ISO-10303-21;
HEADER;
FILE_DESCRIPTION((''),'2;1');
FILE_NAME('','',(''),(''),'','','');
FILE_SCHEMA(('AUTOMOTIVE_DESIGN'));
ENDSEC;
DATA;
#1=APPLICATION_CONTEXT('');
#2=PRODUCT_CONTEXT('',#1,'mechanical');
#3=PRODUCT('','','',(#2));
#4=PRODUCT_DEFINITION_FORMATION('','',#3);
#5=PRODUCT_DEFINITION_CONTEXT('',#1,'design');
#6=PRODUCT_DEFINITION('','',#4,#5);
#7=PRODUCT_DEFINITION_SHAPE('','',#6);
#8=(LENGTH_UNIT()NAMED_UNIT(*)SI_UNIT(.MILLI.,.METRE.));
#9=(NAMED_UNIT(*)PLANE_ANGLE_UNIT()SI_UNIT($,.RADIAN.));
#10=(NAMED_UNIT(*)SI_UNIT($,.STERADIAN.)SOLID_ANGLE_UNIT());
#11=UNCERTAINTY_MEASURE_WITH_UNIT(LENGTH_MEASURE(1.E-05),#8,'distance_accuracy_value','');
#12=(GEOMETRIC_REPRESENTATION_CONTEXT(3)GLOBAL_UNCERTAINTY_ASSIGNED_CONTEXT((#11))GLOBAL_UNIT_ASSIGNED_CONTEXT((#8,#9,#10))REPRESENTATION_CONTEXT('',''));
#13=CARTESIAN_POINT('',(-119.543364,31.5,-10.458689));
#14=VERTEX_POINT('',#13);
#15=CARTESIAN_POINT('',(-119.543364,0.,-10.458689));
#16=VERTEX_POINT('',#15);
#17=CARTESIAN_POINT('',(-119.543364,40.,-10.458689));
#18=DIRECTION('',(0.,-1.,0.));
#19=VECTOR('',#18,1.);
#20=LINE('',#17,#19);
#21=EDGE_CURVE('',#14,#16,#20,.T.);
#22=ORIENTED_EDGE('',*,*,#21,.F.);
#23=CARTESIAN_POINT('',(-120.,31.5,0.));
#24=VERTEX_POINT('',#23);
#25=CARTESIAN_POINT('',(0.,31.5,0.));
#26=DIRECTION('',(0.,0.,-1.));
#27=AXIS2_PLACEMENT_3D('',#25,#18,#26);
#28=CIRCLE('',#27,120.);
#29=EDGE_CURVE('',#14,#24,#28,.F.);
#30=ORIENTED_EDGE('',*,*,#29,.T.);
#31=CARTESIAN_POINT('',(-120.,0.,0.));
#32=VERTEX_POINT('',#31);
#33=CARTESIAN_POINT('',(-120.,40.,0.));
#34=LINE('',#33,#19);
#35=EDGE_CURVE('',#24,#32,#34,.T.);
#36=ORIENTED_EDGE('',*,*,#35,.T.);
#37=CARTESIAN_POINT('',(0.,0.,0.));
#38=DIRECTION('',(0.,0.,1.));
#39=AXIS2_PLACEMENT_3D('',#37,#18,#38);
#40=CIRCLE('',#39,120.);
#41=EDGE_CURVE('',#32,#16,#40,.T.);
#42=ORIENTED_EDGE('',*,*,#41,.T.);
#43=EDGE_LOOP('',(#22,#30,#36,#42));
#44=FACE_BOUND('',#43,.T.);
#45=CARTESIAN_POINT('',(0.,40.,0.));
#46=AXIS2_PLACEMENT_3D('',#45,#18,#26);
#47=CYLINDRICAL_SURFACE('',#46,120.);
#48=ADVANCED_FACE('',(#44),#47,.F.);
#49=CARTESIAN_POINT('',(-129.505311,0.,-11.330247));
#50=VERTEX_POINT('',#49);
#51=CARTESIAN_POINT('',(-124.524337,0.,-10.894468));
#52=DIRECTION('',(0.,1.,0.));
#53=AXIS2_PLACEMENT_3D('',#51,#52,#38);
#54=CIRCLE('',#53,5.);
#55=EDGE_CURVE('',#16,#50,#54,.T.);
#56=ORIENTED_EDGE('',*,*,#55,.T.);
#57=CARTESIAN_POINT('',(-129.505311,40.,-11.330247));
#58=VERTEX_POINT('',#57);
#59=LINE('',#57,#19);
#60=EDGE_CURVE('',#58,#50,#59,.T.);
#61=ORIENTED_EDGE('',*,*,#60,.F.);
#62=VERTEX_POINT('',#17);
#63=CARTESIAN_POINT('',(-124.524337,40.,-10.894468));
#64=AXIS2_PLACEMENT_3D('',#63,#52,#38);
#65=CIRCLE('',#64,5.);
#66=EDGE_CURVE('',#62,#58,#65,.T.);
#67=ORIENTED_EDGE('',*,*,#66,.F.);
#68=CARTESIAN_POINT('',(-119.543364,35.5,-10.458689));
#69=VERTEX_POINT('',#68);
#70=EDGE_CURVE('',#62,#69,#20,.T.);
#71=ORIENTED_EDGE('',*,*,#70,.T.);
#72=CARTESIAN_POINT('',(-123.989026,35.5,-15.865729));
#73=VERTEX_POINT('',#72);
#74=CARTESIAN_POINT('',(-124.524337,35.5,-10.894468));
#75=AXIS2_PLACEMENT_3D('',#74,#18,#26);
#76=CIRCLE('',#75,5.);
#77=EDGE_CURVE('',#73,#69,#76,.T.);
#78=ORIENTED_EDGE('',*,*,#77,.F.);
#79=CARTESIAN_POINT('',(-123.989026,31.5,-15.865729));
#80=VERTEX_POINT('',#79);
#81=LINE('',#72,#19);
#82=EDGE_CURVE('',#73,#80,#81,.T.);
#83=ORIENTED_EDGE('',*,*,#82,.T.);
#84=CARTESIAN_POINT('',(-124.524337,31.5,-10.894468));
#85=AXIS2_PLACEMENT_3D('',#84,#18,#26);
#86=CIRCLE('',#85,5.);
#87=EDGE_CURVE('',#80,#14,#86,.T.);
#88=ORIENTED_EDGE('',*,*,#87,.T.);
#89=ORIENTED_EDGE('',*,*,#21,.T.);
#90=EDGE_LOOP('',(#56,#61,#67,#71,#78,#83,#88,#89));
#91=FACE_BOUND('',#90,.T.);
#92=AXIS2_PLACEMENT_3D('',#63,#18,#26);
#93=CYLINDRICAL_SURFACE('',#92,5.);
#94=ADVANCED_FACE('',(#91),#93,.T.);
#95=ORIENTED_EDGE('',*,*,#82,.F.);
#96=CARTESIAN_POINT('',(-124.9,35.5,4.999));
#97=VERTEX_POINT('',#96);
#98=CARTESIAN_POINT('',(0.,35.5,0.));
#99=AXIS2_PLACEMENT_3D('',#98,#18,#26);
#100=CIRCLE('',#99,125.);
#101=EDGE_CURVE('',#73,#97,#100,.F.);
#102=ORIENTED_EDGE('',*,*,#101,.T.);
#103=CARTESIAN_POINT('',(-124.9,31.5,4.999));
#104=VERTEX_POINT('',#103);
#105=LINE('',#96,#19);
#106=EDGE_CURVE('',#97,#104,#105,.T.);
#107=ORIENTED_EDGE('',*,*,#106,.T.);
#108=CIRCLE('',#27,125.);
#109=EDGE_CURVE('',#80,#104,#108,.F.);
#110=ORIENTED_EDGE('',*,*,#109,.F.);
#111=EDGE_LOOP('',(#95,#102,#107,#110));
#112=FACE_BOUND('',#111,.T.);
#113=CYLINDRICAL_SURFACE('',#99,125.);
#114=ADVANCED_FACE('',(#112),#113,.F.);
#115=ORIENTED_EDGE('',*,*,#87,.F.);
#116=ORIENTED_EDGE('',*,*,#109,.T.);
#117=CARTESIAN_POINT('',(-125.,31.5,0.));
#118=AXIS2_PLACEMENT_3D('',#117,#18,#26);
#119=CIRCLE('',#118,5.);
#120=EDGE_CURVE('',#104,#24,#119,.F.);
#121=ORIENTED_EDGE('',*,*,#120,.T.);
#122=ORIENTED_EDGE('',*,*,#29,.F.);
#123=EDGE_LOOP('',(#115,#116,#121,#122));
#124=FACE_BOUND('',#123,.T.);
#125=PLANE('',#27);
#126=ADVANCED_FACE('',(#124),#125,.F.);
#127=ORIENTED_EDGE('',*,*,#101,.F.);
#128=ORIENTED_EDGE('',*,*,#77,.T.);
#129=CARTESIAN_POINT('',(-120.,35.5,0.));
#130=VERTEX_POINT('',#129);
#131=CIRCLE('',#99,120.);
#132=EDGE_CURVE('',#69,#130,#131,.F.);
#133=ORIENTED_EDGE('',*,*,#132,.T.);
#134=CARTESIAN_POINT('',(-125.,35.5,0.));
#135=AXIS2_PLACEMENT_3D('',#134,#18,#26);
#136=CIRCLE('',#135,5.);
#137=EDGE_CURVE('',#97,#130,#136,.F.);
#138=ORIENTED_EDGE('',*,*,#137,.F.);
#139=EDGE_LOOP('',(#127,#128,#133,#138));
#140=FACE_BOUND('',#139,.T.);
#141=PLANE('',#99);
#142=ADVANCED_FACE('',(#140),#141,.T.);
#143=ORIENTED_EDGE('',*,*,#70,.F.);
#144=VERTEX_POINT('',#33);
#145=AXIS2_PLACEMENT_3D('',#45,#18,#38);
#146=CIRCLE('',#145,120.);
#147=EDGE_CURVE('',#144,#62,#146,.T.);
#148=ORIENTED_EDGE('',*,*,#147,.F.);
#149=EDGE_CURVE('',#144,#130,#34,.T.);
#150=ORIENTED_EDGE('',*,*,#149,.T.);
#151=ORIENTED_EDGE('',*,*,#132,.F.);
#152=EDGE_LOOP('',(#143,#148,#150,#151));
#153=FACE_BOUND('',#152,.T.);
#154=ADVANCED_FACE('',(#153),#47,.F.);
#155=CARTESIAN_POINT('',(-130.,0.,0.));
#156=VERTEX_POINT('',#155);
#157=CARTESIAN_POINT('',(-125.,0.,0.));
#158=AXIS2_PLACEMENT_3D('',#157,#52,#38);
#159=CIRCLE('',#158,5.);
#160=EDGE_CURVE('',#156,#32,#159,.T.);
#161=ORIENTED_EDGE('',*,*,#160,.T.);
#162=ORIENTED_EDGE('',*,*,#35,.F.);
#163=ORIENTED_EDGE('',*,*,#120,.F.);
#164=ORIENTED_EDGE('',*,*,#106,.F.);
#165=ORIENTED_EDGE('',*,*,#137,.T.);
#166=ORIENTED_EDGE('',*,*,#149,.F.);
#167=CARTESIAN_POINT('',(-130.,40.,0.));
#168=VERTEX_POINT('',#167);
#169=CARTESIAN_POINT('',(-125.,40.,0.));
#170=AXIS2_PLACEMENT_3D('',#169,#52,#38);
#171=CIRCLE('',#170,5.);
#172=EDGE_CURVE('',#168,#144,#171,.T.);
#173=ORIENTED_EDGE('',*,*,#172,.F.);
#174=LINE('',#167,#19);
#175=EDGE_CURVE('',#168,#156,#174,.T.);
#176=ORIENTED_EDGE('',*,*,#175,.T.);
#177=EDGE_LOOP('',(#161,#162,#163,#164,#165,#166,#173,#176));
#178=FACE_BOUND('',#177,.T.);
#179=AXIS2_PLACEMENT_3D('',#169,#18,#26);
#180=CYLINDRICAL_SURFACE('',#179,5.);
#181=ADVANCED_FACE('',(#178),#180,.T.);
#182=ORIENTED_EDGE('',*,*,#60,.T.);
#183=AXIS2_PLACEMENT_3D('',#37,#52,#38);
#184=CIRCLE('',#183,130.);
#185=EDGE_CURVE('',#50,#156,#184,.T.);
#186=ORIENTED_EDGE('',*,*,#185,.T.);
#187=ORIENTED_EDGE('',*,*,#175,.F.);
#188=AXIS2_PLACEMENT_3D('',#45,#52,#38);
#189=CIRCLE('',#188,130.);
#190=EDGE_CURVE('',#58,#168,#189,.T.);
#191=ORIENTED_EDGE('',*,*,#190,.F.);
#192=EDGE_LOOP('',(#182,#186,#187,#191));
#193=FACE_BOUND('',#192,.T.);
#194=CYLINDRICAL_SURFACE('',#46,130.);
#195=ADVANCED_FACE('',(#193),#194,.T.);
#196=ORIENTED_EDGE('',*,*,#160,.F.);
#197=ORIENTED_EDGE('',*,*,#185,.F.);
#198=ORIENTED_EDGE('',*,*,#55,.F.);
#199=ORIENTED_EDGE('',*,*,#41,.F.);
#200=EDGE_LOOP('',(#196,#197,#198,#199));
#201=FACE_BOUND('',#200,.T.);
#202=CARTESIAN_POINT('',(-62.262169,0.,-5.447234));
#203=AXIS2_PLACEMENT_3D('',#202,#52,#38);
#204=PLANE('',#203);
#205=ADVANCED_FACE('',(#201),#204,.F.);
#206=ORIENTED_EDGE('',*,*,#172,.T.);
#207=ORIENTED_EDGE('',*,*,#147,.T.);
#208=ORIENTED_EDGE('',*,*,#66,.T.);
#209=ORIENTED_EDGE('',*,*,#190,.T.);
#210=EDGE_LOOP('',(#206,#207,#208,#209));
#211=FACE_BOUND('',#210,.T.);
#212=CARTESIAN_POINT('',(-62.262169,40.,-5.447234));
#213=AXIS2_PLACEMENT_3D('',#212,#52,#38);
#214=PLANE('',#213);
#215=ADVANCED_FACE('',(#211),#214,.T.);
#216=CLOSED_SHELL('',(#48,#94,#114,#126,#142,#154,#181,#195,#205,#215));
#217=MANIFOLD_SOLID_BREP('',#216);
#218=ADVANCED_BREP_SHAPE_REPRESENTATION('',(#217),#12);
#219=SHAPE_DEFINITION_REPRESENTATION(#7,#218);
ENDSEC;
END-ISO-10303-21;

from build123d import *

# Parameters (mm, degrees)
BOSS_EXTRUDE1_DEPTH = 40
CUT_EXTRUDE4_DEPTH  = 4


with BuildPart() as part:
    # Sketch1 → Boss-Extrude1 (new body)
    with BuildSketch(Plane(origin=(0, 0, 0), x_dir=(1, 0, 0), z_dir=(0, 1, 0))):
        with BuildLine():
            ThreePointArc((-129.505310752, 11.330246557), (-129.876268806, 5.670520357), (-130, 0))
            ThreePointArc((-130, 0), (-125, -5), (-120, 0))
            ThreePointArc((-120, 0), (-119.88578659, 5.234326484), (-119.543363771, 10.45868913))
            ThreePointArc((-119.543363771, 10.45868913), (-124.088558548, 15.875441334), (-129.505310752, 11.330246557))
        make_face()
    extrude(amount=BOSS_EXTRUDE1_DEPTH)

    # Sketch2 → Cut-Extrude4 (cut)
    with BuildSketch(Plane(origin=(0, 31.5, 0), x_dir=(1, 0, 0), z_dir=(0, 1, 0))):
        with BuildLine():
            ThreePointArc((-123.989026242, 15.865729465), (-124.881027698, 5.452423421), (-124.9, -4.9989999))
            ThreePointArc((-124.9, -4.9989999), (-121.429285786, -3.5), (-120, 0))
            ThreePointArc((-120, 0), (-119.88578659, 5.234326484), (-119.543363771, 10.45868913))
            ThreePointArc((-119.543363771, 10.45868913), (-120.662165593, 14.069941037), (-123.989026242, 15.865729465))
        make_face()
    extrude(amount=CUT_EXTRUDE4_DEPTH, mode=Mode.SUBTRACT)


solid = part.part
